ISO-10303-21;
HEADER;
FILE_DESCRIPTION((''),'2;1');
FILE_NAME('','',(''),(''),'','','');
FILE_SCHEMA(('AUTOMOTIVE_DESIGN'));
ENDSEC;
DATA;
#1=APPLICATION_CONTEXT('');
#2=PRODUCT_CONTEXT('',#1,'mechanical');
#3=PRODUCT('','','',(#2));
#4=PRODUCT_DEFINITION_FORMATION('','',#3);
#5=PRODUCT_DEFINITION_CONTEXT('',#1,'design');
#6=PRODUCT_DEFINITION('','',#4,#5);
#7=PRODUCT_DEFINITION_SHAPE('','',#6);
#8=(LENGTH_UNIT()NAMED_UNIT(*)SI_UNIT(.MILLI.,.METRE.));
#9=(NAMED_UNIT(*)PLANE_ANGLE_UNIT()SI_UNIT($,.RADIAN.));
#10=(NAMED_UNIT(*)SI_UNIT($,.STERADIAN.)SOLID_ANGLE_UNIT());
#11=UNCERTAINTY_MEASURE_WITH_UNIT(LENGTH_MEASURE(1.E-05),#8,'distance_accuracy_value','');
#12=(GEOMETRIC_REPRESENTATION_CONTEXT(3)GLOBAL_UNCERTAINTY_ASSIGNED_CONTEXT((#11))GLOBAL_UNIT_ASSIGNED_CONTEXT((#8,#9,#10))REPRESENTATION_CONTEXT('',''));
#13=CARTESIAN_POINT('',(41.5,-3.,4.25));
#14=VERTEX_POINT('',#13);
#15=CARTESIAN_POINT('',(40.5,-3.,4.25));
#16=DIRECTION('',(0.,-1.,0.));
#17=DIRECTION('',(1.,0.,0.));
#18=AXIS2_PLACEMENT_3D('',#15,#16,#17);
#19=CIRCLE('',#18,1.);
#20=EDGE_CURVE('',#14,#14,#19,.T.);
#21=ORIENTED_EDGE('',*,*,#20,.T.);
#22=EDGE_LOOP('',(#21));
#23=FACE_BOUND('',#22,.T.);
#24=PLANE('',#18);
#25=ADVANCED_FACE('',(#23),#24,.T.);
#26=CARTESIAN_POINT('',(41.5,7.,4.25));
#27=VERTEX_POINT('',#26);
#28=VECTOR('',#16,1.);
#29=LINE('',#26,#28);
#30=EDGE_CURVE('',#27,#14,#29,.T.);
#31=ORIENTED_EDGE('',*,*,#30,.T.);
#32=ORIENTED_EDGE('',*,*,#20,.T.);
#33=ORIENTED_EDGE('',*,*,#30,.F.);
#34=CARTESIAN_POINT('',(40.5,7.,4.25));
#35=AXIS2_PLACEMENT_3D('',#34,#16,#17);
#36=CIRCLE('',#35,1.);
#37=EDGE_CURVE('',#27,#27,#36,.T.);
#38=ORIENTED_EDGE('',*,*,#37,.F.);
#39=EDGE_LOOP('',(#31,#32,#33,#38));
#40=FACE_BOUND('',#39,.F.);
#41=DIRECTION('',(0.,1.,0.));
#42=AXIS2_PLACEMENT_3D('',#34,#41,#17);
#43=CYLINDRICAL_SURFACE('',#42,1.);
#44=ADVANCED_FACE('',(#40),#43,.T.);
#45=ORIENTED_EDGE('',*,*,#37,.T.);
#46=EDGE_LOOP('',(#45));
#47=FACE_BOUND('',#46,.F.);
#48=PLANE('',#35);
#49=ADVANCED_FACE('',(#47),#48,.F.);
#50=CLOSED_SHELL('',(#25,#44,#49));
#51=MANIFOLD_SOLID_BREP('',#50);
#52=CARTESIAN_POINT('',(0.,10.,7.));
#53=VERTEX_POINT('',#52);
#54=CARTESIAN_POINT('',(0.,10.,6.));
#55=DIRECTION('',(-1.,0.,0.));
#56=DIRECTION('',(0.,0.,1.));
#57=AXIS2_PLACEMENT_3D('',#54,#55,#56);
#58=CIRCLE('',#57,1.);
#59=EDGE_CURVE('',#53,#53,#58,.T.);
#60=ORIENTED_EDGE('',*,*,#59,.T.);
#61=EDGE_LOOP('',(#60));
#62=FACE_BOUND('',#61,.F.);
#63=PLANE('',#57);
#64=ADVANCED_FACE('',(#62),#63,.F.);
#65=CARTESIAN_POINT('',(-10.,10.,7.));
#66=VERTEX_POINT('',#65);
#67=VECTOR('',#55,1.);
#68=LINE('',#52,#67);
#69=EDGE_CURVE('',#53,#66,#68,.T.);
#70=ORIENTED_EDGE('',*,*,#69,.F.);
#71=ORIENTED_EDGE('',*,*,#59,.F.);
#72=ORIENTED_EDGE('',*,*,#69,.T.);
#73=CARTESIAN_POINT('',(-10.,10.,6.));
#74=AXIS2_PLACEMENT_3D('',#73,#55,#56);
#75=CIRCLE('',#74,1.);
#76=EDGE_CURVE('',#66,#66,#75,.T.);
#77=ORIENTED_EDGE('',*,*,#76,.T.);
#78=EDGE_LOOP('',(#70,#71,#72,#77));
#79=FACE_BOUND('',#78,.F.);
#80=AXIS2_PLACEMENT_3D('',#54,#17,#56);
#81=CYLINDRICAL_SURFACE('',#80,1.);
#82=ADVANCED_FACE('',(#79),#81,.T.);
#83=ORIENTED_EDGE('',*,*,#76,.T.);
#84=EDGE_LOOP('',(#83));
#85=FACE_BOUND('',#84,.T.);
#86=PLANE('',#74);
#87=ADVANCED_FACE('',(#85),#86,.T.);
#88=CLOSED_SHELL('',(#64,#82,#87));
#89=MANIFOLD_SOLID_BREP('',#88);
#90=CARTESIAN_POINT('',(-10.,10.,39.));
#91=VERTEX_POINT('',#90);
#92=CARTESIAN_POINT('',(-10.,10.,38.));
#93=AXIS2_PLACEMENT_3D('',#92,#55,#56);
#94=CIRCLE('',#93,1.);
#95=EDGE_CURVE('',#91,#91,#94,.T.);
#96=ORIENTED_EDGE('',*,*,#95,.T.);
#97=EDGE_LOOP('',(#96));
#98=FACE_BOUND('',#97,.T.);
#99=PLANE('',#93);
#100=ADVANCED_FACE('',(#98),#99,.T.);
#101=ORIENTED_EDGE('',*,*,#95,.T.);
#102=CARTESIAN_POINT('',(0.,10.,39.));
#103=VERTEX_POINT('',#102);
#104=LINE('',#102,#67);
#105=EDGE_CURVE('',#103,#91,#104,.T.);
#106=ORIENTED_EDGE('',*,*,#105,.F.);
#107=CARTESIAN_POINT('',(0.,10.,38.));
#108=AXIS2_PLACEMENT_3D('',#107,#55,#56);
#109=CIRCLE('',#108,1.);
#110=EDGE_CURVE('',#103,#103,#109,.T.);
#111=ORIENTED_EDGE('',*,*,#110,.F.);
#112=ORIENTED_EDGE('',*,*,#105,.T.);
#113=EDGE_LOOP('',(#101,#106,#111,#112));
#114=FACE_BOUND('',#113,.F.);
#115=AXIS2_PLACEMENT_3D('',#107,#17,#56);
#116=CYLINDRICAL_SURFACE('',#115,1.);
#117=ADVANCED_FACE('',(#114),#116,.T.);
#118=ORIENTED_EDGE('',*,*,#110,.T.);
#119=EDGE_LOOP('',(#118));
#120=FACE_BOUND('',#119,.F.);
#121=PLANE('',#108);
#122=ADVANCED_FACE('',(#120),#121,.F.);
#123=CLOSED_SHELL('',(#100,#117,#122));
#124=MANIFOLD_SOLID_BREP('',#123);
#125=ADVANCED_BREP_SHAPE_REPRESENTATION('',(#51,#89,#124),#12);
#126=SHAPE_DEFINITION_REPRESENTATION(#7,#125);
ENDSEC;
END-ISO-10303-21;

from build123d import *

# Parameters (mm, degrees)
CYLINDER018_R     = 1
CYLINDER018_DEPTH = 10
CYLINDER019_R     = 1
CYLINDER019_DEPTH = 10
CYLINDER020_R     = 1
CYLINDER020_DEPTH = 10


with BuildPart() as cylinder018:
    # Cylinder018 → Cylinder018 (new body)
    with BuildSketch(Plane(origin=(0, 10, 6), x_dir=(0, 0, 1), z_dir=(-1, 0, 0))):
        Circle(CYLINDER018_R)
    extrude(amount=CYLINDER018_DEPTH)


with BuildPart() as cylinder019:
    # Cylinder019 → Cylinder019 (new body)
    with BuildSketch(Plane(origin=(0, 10, 38), x_dir=(0, 0, 1), z_dir=(-1, 0, 0))):
        Circle(CYLINDER019_R)
    extrude(amount=CYLINDER019_DEPTH)


with BuildPart() as screw_pos:
    # Cylinder020 → Cylinder020 (new body)
    with BuildSketch(Plane(origin=(40.5, 7, 4.25), x_dir=(1, 0, 0), z_dir=(0, -1, 0))):
        Circle(CYLINDER020_R)
    extrude(amount=CYLINDER020_DEPTH)

    # Fusion009002: union Cylinder018, Cylinder019
    add(cylinder018.part)
    add(cylinder019.part)


solid = screw_pos.part
